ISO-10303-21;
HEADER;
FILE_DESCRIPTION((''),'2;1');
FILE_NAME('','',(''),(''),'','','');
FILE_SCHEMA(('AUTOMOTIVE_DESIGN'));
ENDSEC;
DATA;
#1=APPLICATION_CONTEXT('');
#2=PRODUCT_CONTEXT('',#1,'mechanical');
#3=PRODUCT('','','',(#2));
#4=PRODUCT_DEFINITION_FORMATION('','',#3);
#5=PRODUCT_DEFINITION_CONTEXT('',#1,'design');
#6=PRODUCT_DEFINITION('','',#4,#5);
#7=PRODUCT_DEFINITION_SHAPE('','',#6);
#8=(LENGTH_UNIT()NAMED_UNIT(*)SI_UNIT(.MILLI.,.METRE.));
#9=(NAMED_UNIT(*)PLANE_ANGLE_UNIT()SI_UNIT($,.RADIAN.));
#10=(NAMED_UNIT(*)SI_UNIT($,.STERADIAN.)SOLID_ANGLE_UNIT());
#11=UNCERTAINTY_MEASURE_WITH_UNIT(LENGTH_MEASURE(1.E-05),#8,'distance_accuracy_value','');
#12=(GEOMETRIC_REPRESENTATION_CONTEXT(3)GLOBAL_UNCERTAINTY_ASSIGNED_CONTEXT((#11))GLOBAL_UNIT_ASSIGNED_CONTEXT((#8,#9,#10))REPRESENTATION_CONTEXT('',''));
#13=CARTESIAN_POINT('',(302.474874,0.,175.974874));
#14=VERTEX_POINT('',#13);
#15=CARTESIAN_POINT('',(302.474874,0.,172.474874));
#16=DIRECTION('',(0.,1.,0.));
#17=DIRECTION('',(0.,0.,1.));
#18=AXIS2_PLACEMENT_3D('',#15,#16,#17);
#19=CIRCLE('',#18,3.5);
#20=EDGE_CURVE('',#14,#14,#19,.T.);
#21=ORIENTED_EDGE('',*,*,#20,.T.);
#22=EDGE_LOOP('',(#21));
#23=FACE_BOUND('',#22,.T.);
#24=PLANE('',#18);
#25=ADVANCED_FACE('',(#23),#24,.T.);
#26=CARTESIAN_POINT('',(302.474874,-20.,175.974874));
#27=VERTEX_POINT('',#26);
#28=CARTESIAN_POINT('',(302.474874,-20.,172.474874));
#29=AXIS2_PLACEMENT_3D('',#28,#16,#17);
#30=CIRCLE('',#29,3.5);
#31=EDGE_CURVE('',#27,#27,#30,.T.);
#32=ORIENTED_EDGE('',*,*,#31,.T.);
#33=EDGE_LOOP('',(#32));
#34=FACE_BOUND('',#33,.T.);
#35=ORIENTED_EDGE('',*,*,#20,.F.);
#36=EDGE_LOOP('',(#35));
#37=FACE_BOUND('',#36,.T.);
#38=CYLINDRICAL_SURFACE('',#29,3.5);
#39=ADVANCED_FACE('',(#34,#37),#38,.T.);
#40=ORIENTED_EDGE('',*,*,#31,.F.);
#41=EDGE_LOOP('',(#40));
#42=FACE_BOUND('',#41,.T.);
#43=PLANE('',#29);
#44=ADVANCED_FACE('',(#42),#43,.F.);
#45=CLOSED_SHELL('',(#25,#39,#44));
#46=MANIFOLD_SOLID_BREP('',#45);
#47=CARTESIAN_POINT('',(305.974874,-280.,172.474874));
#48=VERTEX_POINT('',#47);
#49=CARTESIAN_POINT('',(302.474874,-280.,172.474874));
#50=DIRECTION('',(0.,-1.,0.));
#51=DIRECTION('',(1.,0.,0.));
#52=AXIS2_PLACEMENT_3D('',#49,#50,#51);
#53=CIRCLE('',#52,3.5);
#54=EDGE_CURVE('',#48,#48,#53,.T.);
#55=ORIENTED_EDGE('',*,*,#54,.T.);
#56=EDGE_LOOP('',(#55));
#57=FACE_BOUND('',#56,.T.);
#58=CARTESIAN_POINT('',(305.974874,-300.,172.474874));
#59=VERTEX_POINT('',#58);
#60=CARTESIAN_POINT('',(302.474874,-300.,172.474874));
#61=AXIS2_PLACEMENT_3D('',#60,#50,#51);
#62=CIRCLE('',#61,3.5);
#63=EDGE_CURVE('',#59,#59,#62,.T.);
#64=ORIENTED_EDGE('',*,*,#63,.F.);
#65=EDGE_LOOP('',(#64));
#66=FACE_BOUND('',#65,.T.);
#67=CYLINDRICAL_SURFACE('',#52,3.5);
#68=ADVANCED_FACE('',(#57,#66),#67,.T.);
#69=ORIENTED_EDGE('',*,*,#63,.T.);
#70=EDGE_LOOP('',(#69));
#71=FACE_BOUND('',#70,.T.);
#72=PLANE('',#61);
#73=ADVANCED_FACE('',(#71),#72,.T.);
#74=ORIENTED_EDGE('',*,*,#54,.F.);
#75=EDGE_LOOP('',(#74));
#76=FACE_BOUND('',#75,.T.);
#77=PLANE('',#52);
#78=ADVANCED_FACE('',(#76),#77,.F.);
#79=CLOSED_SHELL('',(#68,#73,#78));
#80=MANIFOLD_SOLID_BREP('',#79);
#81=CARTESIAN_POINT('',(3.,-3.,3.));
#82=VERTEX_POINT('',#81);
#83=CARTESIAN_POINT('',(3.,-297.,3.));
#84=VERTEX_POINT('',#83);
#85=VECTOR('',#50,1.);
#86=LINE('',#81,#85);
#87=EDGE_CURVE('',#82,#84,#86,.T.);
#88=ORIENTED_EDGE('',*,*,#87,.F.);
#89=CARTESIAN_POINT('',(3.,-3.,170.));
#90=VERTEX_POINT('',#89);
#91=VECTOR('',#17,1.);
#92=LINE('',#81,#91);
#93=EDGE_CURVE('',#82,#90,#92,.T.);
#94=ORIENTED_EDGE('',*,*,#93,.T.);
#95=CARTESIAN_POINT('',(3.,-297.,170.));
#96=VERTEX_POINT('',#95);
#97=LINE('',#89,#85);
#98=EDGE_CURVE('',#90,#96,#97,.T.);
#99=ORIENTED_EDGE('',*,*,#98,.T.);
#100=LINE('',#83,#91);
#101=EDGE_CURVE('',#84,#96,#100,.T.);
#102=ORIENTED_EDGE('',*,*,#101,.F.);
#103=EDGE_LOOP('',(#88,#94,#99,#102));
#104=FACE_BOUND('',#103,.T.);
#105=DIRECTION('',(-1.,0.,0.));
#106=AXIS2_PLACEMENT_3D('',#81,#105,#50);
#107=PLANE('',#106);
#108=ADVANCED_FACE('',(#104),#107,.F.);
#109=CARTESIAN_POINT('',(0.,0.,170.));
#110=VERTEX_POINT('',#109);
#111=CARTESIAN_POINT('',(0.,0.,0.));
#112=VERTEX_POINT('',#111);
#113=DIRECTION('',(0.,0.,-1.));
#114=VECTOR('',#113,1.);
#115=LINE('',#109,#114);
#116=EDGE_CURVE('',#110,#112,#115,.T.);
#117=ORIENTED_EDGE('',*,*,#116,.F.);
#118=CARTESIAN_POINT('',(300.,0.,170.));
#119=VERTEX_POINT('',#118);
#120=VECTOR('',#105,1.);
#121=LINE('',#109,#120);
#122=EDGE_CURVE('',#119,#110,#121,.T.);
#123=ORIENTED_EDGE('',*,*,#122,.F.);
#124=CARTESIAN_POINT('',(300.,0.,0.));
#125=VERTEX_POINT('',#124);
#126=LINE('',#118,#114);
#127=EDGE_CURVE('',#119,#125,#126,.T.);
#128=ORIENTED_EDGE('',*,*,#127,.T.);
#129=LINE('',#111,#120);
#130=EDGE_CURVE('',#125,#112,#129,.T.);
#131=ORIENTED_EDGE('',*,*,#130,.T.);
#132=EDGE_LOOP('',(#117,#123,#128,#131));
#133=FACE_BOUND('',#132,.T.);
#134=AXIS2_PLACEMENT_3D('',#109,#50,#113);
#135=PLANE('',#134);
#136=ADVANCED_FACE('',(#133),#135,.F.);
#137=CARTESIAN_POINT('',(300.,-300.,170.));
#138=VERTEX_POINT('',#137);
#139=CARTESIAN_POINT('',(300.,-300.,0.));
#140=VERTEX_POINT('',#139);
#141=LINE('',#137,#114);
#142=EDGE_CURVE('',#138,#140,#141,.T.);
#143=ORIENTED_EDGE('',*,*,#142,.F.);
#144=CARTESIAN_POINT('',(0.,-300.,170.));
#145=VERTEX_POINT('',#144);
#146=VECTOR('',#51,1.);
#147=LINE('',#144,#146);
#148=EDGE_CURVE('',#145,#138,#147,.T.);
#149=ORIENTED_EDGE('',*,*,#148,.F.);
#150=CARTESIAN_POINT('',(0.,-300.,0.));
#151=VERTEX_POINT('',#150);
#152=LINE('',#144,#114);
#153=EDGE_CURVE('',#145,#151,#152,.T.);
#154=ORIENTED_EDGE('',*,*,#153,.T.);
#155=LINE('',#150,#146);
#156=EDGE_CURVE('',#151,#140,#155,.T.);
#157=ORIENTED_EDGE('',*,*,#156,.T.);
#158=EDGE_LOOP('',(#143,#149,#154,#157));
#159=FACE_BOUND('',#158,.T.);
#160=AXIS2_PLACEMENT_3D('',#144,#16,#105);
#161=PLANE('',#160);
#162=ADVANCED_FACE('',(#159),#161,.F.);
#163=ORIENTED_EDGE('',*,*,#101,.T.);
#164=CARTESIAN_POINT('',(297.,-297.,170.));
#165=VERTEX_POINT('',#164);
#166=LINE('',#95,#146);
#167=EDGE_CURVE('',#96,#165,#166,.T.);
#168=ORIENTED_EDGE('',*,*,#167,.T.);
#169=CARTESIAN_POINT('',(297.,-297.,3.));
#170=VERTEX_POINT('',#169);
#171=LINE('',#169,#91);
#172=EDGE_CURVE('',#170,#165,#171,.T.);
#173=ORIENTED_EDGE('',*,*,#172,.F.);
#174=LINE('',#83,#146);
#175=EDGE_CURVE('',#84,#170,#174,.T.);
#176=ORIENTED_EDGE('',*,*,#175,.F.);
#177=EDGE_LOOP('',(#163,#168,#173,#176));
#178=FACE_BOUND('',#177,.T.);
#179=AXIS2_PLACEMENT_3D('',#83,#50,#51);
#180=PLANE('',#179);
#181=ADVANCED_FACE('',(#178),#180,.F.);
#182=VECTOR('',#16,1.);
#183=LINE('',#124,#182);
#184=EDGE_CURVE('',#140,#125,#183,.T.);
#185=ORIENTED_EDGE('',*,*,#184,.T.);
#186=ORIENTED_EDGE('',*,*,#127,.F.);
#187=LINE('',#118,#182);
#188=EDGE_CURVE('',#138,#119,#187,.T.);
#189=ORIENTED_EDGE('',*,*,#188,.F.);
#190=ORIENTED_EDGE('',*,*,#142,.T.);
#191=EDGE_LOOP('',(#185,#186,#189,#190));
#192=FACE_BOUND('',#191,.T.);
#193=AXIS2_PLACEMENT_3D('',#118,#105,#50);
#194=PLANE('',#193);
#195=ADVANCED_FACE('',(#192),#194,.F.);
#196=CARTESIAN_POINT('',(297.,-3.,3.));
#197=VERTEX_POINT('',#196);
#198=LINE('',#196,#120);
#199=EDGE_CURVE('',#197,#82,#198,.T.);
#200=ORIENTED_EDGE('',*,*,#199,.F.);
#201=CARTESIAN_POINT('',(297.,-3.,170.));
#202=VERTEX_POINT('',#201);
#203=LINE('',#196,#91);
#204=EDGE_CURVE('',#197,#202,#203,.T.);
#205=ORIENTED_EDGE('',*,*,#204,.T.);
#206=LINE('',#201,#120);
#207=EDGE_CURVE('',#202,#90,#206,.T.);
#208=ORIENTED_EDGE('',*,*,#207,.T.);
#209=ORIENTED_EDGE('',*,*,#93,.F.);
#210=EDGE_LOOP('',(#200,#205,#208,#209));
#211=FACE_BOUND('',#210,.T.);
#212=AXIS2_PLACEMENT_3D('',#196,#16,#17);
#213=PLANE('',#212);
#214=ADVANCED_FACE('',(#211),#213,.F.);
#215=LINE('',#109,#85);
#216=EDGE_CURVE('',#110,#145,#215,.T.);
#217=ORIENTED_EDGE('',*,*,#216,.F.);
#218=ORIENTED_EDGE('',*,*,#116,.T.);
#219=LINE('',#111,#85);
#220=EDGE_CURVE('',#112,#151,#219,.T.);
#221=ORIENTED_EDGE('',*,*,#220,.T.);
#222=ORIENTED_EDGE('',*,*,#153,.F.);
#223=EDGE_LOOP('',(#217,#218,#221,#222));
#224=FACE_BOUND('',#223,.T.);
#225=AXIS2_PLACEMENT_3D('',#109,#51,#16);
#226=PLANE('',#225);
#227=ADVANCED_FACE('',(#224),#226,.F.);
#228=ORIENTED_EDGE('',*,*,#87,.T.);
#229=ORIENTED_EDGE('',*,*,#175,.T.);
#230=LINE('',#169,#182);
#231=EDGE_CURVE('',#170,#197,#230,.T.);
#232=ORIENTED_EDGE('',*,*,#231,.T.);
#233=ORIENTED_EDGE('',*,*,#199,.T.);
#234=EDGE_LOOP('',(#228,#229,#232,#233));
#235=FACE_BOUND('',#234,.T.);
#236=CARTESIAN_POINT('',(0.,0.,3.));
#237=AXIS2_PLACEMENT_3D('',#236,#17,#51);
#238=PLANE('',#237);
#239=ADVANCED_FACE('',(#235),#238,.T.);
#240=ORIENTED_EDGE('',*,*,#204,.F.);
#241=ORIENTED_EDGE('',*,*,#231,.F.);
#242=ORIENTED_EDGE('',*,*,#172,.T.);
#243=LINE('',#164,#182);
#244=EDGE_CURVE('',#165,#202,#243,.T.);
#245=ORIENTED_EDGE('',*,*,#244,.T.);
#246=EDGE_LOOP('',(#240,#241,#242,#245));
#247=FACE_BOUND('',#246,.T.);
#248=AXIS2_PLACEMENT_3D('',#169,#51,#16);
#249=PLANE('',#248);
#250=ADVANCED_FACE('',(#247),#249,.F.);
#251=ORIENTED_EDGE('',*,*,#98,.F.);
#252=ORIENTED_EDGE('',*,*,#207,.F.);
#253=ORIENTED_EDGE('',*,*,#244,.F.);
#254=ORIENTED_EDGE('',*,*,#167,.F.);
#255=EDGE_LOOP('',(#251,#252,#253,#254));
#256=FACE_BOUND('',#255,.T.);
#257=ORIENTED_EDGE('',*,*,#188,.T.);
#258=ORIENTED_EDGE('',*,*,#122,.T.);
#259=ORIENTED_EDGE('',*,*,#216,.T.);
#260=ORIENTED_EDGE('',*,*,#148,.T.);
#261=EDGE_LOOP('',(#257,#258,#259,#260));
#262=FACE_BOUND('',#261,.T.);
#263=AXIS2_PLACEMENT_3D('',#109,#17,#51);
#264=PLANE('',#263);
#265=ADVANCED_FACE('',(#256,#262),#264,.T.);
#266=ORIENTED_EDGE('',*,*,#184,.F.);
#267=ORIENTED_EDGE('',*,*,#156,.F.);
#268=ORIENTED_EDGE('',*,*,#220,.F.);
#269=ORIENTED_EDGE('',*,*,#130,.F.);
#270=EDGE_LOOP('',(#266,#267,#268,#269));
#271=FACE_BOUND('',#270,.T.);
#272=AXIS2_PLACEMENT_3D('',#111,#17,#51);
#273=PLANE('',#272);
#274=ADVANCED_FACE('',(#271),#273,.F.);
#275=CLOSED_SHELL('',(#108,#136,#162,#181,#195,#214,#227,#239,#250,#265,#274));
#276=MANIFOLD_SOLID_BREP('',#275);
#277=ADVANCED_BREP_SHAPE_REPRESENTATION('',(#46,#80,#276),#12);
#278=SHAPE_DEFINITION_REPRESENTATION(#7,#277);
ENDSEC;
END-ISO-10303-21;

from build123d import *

# Parameters (mm, degrees)
CROQUIS1_W              = 300
CROQUIS1_H              = 300
SALIENTE_EXTRUIR1_DEPTH = 170
CROQUIS2_W              = 294
CROQUIS2_H              = 294
CORTAR_EXTRUIR1_DEPTH   = 167
CROQUIS3_R              = 3.5
SALIENTE_EXTRUIR2_DEPTH = 20
CROQUIS4_R              = 3.5
SALIENTE_EXTRUIR3_DEPTH = 20


with BuildPart() as part:
    # Croquis1 → Saliente-Extruir1 (new body)
    with BuildSketch(Plane.XY):
        with Locations((150, -150)):
            Rectangle(CROQUIS1_W, CROQUIS1_H)
    extrude(amount=SALIENTE_EXTRUIR1_DEPTH)

    # Croquis2 → Cortar-Extruir1 (cut)
    with BuildSketch(Plane.XY.offset(170)):
        with Locations((150, -150)):
            Rectangle(CROQUIS2_W, CROQUIS2_H)
    extrude(amount=-CORTAR_EXTRUIR1_DEPTH, mode=Mode.SUBTRACT)


with BuildPart() as body_2:
    # Croquis3 → Saliente-Extruir2 (new body)
    with BuildSketch(Plane(origin=(0, 0, 0), x_dir=(1, 0, 0), z_dir=(0, 1, 0))):
        with Locations(Location((302.474873734, -172.474873734, 0), (0, 0, 270))):
            Circle(CROQUIS3_R)
    extrude(amount=-SALIENTE_EXTRUIR2_DEPTH)


with BuildPart() as body_3:
    # Croquis4 → Saliente-Extruir3 (new body)
    with BuildSketch(Plane.XZ.offset(300)):
        with Locations((302.474873734, 172.474873734)):
            Circle(CROQUIS4_R)
    extrude(amount=-SALIENTE_EXTRUIR3_DEPTH)


solid = Compound([part.part, body_2.part, body_3.part])
